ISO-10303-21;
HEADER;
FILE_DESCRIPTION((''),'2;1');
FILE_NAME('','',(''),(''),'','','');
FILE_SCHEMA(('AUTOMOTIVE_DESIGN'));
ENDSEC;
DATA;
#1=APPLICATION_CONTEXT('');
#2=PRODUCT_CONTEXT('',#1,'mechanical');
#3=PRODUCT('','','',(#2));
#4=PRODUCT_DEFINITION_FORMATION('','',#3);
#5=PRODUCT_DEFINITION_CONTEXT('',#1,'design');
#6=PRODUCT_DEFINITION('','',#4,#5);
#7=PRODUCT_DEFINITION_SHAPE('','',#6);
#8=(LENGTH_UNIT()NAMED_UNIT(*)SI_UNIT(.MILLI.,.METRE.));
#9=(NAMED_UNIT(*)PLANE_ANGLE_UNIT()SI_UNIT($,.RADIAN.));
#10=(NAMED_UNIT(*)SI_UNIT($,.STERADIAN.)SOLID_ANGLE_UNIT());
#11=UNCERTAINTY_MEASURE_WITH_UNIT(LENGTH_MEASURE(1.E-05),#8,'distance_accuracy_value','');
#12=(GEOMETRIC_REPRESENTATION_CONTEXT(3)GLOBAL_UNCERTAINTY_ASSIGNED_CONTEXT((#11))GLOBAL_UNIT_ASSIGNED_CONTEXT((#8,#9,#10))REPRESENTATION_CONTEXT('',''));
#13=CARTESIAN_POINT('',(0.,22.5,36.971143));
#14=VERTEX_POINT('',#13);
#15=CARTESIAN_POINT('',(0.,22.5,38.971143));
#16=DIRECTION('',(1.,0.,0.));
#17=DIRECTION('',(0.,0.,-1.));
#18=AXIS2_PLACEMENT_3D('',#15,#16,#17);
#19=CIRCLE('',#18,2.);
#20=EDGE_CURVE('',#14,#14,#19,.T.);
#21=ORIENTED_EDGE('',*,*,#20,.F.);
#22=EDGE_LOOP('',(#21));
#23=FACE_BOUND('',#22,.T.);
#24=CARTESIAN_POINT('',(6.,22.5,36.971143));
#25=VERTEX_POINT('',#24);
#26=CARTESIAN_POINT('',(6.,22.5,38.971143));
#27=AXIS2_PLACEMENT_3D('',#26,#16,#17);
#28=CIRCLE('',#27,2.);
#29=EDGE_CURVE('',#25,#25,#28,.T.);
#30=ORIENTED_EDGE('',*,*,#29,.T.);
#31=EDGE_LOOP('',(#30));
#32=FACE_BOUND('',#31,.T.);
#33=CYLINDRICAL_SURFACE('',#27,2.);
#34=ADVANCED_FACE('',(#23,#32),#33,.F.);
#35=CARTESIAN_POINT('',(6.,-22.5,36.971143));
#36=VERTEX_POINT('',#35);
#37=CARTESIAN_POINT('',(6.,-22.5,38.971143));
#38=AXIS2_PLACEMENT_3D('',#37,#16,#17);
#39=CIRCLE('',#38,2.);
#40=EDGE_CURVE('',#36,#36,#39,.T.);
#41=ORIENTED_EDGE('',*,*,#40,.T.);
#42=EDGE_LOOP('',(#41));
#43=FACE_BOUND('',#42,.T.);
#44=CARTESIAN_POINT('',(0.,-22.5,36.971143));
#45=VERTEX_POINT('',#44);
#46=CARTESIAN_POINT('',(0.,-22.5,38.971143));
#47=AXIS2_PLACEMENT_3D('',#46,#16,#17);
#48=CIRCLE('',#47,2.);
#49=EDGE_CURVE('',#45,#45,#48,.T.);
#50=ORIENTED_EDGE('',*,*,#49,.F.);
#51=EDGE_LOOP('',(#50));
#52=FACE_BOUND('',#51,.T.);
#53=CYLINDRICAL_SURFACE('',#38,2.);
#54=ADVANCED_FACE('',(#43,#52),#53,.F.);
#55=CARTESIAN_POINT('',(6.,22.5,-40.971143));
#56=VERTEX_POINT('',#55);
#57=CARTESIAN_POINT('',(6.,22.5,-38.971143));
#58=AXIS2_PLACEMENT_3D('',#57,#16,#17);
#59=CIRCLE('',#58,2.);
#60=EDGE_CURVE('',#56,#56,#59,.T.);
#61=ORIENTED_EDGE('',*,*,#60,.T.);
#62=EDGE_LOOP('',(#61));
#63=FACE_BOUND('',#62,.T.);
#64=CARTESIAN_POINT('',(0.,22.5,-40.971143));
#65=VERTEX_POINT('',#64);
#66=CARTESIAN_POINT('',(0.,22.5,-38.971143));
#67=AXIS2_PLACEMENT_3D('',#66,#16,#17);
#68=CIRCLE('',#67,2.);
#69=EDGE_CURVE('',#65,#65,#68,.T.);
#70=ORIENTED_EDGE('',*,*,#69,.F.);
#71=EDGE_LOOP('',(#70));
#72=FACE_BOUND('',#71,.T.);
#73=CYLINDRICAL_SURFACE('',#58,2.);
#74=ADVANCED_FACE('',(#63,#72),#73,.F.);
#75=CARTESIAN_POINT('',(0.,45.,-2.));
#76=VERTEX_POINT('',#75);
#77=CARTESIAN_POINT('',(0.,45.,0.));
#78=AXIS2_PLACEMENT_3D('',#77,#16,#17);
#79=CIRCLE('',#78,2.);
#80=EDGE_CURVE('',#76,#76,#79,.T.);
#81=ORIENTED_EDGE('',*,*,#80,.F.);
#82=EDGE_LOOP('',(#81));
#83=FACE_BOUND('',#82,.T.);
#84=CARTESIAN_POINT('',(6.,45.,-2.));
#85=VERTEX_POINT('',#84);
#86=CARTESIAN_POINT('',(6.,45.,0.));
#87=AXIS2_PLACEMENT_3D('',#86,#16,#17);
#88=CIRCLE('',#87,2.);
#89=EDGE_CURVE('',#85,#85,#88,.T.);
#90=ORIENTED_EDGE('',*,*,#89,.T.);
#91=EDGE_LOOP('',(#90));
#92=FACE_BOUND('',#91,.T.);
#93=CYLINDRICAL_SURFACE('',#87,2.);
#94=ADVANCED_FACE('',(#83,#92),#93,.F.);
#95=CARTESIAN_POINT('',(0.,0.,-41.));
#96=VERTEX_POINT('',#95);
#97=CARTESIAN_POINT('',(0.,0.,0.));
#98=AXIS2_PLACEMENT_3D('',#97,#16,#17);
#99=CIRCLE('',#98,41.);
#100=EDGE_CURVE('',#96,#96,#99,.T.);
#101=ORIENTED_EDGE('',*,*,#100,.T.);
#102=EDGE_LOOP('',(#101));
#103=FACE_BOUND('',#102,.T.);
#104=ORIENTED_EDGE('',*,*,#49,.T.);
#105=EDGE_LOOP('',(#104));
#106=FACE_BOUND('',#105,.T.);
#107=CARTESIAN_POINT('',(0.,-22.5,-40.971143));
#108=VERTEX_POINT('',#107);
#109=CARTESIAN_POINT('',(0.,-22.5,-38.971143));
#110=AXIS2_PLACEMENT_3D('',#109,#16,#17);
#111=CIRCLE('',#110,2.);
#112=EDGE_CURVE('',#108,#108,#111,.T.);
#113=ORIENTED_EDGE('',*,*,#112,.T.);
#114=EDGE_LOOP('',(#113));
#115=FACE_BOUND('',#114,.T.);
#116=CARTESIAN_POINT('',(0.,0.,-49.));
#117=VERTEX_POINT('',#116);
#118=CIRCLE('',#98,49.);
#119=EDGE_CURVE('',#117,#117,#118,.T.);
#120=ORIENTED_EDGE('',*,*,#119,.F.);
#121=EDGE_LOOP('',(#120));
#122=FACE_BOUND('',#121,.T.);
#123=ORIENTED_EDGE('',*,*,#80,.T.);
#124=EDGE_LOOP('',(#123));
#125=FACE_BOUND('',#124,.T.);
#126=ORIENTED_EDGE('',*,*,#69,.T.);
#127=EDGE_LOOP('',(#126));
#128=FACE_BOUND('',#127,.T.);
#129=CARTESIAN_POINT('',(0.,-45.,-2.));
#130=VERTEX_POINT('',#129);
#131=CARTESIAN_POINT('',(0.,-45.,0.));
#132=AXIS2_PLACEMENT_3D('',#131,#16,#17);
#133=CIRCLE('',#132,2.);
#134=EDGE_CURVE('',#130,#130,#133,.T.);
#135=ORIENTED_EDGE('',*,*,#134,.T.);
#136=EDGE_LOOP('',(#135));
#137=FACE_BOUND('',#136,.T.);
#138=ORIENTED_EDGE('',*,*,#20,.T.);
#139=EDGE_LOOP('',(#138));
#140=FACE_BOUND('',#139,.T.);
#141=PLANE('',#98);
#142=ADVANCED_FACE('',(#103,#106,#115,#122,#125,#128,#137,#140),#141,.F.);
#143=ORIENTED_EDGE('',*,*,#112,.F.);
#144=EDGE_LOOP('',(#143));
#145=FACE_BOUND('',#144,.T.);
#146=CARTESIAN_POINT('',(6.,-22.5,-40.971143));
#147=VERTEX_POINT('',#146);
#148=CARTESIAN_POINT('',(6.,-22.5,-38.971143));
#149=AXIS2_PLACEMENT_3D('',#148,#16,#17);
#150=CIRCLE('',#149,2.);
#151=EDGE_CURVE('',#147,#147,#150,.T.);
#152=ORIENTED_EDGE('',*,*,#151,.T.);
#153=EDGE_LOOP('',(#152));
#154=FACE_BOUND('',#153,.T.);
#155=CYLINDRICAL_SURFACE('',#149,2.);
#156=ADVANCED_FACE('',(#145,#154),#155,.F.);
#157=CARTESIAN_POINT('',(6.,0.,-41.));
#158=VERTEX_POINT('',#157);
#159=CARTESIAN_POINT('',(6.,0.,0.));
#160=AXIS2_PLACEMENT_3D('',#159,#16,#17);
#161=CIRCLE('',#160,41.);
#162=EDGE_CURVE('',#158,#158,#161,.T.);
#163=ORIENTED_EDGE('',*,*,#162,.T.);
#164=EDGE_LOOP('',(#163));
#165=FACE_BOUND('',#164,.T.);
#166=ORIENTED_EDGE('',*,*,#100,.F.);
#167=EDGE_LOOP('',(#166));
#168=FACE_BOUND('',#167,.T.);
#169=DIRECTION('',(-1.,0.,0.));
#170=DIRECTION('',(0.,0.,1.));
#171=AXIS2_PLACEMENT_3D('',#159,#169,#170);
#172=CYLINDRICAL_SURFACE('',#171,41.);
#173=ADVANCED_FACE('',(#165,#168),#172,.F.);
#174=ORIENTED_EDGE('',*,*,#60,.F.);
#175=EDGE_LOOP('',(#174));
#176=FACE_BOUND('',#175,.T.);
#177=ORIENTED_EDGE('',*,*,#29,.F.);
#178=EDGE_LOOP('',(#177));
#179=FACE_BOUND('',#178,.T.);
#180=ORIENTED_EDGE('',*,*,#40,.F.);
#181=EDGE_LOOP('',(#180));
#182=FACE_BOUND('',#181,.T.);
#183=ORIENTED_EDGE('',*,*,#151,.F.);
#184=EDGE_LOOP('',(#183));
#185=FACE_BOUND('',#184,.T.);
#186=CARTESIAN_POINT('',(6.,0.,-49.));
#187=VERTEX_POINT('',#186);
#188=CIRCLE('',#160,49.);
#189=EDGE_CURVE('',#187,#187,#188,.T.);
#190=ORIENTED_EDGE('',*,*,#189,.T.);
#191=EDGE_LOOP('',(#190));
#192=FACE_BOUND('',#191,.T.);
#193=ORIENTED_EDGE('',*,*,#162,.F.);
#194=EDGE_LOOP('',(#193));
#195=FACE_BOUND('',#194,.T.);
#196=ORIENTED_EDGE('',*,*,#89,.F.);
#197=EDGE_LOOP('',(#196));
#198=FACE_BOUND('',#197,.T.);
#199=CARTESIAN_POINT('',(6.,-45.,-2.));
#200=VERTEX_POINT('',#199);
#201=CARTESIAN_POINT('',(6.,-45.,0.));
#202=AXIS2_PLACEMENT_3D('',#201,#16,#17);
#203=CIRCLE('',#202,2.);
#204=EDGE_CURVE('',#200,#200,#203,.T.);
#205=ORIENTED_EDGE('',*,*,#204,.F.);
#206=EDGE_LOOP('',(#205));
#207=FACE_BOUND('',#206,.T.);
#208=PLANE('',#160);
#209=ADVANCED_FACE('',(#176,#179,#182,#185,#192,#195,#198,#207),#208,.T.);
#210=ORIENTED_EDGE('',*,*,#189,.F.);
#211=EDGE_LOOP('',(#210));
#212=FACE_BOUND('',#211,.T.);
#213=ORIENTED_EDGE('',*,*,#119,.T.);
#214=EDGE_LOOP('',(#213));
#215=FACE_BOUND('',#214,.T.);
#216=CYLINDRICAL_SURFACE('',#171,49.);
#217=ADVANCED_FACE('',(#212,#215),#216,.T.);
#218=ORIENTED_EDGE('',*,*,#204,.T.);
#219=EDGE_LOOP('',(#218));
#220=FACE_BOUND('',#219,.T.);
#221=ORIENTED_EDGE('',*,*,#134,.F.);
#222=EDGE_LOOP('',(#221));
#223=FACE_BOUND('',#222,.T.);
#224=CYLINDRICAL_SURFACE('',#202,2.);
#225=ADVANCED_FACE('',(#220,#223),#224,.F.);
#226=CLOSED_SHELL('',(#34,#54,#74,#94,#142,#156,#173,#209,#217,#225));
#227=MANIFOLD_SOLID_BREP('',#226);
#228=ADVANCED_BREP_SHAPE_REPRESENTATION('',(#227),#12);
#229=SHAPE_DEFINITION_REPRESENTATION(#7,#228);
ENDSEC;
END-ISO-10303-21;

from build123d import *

# Parameters (mm, degrees)
SKETCH1_R           = 49
SKETCH1_R_2         = 41
BOSS_EXTRUDE1_DEPTH = 6
CIRPATTERN1_COUNT   = 6


with BuildPart() as part:
    # Sketch1 → Boss-Extrude1 (new body)
    with BuildSketch(Plane(origin=(0, 0, 0), x_dir=(0, 0, -1), z_dir=(1, 0, 0))):
        Circle(SKETCH1_R)
        Circle(SKETCH1_R_2, mode=Mode.SUBTRACT)
    extrude(amount=BOSS_EXTRUDE1_DEPTH)

    # Sketch3 → Ø4.0mm Dowel Hole1 (revolve, cut)
    with BuildSketch(Plane(origin=(6, 45, 0), x_dir=(0, 0, -1), z_dir=(0, 1, 0))):
        Polygon((0, 0), (0, 51.201721238), (2, 50), (2, 0), align=None)
    f_4_0mm_dowel_hole1 = revolve(axis=Axis((12.35, 45, 0), (-1, 0, 0)), mode=Mode.SUBTRACT)

    # CirPattern1: Ø4.0mm Dowel Hole1 ×6 about axis
    cirpattern1_axis = Axis((0, 0, 0), (1, 0, 0))
    for i in range(1, CIRPATTERN1_COUNT):
        add(f_4_0mm_dowel_hole1.rotate(cirpattern1_axis, i * 360 / CIRPATTERN1_COUNT), mode=Mode.SUBTRACT)


solid = part.part
